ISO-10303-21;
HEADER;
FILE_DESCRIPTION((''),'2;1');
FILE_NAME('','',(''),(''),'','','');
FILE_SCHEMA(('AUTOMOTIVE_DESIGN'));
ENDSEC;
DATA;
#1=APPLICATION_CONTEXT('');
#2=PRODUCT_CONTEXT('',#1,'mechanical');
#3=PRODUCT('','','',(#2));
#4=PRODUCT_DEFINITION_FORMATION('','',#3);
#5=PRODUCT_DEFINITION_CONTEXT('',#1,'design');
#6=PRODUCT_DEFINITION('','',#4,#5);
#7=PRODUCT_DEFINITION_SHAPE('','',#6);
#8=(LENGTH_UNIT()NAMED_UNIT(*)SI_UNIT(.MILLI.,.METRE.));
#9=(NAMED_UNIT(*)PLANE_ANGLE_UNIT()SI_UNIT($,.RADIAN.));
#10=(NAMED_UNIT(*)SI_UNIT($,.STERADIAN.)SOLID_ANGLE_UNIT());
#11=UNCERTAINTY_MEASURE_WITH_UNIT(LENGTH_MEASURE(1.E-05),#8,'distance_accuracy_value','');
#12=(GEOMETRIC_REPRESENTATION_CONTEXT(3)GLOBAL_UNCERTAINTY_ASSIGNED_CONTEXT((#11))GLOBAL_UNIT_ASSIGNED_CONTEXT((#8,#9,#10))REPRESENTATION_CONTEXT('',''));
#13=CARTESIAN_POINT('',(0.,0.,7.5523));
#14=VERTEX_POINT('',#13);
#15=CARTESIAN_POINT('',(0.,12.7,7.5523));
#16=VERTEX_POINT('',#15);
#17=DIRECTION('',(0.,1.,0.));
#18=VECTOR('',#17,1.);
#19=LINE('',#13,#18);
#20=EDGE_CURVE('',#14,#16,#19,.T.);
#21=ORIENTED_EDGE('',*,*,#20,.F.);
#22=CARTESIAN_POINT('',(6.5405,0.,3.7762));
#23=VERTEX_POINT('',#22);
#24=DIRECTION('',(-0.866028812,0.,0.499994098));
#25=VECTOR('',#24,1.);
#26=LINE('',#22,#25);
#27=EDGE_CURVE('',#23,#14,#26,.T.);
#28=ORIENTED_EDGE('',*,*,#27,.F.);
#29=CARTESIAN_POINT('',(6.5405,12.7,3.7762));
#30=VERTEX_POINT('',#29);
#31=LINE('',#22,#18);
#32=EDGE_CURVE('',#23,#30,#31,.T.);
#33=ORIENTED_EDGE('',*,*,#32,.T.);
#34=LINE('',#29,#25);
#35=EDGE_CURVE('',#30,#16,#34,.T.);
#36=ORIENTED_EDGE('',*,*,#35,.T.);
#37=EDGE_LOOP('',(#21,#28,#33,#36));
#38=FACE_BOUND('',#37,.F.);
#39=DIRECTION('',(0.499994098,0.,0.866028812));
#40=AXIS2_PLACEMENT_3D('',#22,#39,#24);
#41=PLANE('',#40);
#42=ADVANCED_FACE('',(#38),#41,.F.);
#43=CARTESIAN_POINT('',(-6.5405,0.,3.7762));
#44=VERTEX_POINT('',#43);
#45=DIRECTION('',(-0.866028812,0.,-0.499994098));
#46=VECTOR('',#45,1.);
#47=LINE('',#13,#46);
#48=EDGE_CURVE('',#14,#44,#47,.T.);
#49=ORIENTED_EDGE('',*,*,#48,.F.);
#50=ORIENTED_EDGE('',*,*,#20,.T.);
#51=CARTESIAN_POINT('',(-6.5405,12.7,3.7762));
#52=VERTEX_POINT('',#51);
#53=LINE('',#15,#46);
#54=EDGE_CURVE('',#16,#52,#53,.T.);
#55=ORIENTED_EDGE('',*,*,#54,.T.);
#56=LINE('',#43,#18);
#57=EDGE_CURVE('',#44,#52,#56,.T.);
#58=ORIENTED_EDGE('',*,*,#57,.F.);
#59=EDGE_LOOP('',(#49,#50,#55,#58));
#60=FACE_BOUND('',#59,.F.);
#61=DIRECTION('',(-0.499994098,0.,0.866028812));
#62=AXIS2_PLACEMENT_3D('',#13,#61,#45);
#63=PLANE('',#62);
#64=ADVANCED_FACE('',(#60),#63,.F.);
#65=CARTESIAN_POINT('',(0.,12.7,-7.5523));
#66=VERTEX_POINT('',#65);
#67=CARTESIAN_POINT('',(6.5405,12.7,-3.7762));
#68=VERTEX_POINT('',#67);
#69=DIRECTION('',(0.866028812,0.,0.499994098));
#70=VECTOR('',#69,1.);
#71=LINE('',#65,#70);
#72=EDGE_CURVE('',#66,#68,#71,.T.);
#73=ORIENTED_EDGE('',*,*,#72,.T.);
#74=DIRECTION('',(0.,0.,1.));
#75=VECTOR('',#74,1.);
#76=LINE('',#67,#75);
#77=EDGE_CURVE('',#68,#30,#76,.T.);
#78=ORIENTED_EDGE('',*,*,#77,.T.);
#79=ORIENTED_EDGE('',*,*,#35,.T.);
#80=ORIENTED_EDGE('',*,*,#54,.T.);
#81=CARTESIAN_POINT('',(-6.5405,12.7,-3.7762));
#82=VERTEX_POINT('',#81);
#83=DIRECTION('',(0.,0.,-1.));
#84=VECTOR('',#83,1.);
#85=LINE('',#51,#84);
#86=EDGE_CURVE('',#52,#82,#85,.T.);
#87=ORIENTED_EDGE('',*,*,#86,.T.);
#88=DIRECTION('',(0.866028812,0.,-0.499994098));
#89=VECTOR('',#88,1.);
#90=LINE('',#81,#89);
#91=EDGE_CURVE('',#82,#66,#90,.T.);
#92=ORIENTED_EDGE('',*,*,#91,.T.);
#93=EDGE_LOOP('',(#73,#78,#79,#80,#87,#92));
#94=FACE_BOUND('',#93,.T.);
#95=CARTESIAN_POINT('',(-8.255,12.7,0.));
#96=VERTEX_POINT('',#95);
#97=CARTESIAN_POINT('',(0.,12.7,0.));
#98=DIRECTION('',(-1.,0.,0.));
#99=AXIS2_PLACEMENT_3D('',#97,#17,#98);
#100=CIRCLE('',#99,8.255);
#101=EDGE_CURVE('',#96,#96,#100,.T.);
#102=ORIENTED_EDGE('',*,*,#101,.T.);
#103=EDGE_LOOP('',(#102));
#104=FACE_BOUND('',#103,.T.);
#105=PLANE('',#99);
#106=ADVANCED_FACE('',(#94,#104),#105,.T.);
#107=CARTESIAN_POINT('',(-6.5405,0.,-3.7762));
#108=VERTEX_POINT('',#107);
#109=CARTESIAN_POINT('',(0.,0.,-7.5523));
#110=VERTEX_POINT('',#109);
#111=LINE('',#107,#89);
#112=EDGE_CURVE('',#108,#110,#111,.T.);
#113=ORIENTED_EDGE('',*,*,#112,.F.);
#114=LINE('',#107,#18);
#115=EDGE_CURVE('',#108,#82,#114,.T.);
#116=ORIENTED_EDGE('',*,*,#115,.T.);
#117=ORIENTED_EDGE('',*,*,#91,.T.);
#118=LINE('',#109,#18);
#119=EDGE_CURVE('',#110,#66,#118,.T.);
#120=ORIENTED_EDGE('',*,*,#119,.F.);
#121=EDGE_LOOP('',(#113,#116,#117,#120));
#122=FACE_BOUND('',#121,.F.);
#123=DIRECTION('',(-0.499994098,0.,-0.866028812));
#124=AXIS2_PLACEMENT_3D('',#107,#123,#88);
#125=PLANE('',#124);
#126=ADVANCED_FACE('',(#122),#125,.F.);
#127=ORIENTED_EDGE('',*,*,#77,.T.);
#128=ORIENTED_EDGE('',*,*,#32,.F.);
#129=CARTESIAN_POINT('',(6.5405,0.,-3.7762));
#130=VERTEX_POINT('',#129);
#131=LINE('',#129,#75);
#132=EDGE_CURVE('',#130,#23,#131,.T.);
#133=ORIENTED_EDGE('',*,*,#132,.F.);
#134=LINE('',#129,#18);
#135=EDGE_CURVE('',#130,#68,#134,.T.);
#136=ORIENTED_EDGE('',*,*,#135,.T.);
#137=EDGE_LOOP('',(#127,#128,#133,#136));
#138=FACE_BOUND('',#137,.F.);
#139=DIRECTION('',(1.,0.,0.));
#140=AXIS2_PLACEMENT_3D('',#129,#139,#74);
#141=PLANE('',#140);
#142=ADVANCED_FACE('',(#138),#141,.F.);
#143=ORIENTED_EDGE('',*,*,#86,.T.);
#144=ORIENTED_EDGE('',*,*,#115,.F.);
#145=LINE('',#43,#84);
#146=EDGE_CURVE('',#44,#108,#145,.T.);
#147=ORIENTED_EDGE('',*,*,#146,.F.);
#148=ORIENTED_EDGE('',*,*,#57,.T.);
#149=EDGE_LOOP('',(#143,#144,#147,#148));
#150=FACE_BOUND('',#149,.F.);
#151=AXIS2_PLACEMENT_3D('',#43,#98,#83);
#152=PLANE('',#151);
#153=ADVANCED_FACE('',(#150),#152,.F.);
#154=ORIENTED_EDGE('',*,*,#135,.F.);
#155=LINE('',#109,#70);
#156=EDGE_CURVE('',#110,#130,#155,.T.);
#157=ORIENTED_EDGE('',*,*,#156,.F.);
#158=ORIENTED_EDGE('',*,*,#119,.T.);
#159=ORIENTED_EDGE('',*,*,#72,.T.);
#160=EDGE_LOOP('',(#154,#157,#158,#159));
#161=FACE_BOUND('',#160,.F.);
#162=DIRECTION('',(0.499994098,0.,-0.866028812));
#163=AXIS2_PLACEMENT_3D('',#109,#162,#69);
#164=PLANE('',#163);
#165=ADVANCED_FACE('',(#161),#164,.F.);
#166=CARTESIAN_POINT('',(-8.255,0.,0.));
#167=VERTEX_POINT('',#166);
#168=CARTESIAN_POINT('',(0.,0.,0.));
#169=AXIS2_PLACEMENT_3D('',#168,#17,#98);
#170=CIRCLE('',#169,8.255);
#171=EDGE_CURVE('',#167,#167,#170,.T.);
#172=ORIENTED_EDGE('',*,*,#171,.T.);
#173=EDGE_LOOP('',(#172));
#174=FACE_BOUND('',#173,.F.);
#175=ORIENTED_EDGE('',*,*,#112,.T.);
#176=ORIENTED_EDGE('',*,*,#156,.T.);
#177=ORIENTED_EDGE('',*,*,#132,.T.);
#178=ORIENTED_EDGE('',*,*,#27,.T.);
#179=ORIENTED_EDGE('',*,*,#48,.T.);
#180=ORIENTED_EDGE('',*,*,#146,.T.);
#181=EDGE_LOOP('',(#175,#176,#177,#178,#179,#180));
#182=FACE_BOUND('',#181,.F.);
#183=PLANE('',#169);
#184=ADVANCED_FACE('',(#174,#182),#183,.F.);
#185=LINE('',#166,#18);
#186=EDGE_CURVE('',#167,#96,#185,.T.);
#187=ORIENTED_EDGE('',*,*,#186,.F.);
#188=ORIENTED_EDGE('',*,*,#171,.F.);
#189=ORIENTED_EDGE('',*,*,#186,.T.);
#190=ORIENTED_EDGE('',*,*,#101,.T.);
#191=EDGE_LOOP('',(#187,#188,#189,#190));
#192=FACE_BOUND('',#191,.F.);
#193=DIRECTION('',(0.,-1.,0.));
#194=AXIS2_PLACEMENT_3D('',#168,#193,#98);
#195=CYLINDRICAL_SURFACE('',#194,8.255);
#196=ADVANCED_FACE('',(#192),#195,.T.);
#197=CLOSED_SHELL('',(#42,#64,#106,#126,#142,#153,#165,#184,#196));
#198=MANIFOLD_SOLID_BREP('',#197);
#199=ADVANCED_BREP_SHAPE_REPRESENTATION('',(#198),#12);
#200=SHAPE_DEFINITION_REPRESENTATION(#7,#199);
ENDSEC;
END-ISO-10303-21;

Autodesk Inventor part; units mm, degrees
ref_plane "YZ Plane" through (0, 0, 0) normal (1, 0, 0) x (0, 1, 0)
ref_plane "XZ Plane" through (0, 0, 0) normal (0, 1, 0) x (-1, 0, 0)
ref_plane "XY Plane" through (0, 0, 0) normal (0, 0, 1) x (1, 0, 0)
sketch "Sketch1" plane through (0, 0, 0) normal (0, 1, 0) x (-1, 0, 0)
  circle A0 centre (0, 0) radius 8.255
  line L0 (-6.5405, -3.7762) -> (-6.5405, 3.7762)
  line L1 (-6.5405, 3.7762) -> (0, 7.5523)
  line L2 (0, 7.5523) -> (6.5405, 3.7762)
  line L3 (6.5405, 3.7762) -> (6.5405, -3.7762)
  line L4 (6.5405, -3.7762) -> (0, -7.5523)
  line L5 (0, -7.5523) -> (-6.5405, -3.7762)
  dimension "d0" = 16.51
  dimension "d1" = 13.081
extrude "Extrusion1" add sketch "Sketch1" along normal blind 12.7
properties part number "S1"
